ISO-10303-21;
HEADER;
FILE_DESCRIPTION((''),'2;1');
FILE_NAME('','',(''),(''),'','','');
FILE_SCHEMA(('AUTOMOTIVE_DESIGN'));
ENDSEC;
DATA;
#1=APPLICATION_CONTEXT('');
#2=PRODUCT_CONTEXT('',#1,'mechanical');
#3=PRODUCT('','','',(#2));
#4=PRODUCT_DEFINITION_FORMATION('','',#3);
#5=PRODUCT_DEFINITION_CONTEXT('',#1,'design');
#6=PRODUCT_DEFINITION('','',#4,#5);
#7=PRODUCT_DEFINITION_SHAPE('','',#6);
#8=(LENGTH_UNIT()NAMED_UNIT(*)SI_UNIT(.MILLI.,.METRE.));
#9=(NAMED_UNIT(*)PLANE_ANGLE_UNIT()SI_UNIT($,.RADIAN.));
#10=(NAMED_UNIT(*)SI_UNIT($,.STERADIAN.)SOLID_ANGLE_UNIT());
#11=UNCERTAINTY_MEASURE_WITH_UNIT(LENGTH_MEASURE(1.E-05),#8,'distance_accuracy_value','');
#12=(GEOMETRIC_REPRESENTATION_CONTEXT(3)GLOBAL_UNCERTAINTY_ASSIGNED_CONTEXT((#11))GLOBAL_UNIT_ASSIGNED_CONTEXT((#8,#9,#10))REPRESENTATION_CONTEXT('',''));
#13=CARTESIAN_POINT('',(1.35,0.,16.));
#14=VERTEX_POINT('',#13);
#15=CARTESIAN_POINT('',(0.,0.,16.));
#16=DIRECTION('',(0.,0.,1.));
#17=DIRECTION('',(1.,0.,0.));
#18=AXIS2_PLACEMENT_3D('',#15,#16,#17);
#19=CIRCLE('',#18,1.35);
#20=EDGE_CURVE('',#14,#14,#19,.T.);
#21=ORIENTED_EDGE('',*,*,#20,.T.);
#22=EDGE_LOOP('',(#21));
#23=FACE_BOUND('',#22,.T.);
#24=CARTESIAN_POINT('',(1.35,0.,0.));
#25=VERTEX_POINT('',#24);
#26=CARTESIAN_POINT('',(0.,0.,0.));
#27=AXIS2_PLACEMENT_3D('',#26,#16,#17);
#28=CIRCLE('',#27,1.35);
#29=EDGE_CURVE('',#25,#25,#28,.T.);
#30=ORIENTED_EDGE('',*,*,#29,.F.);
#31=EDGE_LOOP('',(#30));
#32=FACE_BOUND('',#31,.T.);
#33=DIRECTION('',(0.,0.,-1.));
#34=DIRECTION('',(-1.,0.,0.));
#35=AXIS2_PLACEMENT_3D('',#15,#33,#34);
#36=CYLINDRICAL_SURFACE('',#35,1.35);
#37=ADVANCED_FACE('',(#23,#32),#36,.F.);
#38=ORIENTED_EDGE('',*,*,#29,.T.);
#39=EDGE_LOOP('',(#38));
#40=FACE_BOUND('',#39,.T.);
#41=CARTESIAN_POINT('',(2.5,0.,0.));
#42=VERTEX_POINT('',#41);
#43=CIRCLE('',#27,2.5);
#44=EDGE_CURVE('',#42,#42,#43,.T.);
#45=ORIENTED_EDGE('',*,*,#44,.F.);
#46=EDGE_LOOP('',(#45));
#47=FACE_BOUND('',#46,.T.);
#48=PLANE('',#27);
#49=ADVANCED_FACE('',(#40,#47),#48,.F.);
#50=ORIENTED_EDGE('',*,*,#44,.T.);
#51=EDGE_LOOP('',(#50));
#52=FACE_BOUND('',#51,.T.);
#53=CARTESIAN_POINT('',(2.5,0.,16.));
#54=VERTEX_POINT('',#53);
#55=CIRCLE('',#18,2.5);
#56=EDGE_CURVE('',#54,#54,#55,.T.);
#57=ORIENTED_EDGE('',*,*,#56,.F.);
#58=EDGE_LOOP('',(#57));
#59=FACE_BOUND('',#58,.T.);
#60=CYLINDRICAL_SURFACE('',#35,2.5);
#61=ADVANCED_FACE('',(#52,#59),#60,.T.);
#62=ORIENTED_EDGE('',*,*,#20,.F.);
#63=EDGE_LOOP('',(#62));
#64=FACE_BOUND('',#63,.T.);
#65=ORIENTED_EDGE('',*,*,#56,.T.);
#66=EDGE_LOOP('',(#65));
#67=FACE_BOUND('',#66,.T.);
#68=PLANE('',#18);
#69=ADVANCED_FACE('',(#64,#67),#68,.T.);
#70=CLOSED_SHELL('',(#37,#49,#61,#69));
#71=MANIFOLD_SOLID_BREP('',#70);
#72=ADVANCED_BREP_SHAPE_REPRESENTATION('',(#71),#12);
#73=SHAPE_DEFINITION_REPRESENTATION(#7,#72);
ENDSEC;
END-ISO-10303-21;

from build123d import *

# Parameters (mm, degrees)
ESQUISSE1_R        = 2.5
ESQUISSE1_R_2      = 1.35
BOSS_EXTRU_1_DEPTH = 16


with BuildPart() as part:
    # Esquisse1 → Boss.-Extru.1 (new body)
    with BuildSketch(Plane.XY):
        Circle(ESQUISSE1_R)
        Circle(ESQUISSE1_R_2, mode=Mode.SUBTRACT)
    extrude(amount=BOSS_EXTRU_1_DEPTH)


solid = part.part
